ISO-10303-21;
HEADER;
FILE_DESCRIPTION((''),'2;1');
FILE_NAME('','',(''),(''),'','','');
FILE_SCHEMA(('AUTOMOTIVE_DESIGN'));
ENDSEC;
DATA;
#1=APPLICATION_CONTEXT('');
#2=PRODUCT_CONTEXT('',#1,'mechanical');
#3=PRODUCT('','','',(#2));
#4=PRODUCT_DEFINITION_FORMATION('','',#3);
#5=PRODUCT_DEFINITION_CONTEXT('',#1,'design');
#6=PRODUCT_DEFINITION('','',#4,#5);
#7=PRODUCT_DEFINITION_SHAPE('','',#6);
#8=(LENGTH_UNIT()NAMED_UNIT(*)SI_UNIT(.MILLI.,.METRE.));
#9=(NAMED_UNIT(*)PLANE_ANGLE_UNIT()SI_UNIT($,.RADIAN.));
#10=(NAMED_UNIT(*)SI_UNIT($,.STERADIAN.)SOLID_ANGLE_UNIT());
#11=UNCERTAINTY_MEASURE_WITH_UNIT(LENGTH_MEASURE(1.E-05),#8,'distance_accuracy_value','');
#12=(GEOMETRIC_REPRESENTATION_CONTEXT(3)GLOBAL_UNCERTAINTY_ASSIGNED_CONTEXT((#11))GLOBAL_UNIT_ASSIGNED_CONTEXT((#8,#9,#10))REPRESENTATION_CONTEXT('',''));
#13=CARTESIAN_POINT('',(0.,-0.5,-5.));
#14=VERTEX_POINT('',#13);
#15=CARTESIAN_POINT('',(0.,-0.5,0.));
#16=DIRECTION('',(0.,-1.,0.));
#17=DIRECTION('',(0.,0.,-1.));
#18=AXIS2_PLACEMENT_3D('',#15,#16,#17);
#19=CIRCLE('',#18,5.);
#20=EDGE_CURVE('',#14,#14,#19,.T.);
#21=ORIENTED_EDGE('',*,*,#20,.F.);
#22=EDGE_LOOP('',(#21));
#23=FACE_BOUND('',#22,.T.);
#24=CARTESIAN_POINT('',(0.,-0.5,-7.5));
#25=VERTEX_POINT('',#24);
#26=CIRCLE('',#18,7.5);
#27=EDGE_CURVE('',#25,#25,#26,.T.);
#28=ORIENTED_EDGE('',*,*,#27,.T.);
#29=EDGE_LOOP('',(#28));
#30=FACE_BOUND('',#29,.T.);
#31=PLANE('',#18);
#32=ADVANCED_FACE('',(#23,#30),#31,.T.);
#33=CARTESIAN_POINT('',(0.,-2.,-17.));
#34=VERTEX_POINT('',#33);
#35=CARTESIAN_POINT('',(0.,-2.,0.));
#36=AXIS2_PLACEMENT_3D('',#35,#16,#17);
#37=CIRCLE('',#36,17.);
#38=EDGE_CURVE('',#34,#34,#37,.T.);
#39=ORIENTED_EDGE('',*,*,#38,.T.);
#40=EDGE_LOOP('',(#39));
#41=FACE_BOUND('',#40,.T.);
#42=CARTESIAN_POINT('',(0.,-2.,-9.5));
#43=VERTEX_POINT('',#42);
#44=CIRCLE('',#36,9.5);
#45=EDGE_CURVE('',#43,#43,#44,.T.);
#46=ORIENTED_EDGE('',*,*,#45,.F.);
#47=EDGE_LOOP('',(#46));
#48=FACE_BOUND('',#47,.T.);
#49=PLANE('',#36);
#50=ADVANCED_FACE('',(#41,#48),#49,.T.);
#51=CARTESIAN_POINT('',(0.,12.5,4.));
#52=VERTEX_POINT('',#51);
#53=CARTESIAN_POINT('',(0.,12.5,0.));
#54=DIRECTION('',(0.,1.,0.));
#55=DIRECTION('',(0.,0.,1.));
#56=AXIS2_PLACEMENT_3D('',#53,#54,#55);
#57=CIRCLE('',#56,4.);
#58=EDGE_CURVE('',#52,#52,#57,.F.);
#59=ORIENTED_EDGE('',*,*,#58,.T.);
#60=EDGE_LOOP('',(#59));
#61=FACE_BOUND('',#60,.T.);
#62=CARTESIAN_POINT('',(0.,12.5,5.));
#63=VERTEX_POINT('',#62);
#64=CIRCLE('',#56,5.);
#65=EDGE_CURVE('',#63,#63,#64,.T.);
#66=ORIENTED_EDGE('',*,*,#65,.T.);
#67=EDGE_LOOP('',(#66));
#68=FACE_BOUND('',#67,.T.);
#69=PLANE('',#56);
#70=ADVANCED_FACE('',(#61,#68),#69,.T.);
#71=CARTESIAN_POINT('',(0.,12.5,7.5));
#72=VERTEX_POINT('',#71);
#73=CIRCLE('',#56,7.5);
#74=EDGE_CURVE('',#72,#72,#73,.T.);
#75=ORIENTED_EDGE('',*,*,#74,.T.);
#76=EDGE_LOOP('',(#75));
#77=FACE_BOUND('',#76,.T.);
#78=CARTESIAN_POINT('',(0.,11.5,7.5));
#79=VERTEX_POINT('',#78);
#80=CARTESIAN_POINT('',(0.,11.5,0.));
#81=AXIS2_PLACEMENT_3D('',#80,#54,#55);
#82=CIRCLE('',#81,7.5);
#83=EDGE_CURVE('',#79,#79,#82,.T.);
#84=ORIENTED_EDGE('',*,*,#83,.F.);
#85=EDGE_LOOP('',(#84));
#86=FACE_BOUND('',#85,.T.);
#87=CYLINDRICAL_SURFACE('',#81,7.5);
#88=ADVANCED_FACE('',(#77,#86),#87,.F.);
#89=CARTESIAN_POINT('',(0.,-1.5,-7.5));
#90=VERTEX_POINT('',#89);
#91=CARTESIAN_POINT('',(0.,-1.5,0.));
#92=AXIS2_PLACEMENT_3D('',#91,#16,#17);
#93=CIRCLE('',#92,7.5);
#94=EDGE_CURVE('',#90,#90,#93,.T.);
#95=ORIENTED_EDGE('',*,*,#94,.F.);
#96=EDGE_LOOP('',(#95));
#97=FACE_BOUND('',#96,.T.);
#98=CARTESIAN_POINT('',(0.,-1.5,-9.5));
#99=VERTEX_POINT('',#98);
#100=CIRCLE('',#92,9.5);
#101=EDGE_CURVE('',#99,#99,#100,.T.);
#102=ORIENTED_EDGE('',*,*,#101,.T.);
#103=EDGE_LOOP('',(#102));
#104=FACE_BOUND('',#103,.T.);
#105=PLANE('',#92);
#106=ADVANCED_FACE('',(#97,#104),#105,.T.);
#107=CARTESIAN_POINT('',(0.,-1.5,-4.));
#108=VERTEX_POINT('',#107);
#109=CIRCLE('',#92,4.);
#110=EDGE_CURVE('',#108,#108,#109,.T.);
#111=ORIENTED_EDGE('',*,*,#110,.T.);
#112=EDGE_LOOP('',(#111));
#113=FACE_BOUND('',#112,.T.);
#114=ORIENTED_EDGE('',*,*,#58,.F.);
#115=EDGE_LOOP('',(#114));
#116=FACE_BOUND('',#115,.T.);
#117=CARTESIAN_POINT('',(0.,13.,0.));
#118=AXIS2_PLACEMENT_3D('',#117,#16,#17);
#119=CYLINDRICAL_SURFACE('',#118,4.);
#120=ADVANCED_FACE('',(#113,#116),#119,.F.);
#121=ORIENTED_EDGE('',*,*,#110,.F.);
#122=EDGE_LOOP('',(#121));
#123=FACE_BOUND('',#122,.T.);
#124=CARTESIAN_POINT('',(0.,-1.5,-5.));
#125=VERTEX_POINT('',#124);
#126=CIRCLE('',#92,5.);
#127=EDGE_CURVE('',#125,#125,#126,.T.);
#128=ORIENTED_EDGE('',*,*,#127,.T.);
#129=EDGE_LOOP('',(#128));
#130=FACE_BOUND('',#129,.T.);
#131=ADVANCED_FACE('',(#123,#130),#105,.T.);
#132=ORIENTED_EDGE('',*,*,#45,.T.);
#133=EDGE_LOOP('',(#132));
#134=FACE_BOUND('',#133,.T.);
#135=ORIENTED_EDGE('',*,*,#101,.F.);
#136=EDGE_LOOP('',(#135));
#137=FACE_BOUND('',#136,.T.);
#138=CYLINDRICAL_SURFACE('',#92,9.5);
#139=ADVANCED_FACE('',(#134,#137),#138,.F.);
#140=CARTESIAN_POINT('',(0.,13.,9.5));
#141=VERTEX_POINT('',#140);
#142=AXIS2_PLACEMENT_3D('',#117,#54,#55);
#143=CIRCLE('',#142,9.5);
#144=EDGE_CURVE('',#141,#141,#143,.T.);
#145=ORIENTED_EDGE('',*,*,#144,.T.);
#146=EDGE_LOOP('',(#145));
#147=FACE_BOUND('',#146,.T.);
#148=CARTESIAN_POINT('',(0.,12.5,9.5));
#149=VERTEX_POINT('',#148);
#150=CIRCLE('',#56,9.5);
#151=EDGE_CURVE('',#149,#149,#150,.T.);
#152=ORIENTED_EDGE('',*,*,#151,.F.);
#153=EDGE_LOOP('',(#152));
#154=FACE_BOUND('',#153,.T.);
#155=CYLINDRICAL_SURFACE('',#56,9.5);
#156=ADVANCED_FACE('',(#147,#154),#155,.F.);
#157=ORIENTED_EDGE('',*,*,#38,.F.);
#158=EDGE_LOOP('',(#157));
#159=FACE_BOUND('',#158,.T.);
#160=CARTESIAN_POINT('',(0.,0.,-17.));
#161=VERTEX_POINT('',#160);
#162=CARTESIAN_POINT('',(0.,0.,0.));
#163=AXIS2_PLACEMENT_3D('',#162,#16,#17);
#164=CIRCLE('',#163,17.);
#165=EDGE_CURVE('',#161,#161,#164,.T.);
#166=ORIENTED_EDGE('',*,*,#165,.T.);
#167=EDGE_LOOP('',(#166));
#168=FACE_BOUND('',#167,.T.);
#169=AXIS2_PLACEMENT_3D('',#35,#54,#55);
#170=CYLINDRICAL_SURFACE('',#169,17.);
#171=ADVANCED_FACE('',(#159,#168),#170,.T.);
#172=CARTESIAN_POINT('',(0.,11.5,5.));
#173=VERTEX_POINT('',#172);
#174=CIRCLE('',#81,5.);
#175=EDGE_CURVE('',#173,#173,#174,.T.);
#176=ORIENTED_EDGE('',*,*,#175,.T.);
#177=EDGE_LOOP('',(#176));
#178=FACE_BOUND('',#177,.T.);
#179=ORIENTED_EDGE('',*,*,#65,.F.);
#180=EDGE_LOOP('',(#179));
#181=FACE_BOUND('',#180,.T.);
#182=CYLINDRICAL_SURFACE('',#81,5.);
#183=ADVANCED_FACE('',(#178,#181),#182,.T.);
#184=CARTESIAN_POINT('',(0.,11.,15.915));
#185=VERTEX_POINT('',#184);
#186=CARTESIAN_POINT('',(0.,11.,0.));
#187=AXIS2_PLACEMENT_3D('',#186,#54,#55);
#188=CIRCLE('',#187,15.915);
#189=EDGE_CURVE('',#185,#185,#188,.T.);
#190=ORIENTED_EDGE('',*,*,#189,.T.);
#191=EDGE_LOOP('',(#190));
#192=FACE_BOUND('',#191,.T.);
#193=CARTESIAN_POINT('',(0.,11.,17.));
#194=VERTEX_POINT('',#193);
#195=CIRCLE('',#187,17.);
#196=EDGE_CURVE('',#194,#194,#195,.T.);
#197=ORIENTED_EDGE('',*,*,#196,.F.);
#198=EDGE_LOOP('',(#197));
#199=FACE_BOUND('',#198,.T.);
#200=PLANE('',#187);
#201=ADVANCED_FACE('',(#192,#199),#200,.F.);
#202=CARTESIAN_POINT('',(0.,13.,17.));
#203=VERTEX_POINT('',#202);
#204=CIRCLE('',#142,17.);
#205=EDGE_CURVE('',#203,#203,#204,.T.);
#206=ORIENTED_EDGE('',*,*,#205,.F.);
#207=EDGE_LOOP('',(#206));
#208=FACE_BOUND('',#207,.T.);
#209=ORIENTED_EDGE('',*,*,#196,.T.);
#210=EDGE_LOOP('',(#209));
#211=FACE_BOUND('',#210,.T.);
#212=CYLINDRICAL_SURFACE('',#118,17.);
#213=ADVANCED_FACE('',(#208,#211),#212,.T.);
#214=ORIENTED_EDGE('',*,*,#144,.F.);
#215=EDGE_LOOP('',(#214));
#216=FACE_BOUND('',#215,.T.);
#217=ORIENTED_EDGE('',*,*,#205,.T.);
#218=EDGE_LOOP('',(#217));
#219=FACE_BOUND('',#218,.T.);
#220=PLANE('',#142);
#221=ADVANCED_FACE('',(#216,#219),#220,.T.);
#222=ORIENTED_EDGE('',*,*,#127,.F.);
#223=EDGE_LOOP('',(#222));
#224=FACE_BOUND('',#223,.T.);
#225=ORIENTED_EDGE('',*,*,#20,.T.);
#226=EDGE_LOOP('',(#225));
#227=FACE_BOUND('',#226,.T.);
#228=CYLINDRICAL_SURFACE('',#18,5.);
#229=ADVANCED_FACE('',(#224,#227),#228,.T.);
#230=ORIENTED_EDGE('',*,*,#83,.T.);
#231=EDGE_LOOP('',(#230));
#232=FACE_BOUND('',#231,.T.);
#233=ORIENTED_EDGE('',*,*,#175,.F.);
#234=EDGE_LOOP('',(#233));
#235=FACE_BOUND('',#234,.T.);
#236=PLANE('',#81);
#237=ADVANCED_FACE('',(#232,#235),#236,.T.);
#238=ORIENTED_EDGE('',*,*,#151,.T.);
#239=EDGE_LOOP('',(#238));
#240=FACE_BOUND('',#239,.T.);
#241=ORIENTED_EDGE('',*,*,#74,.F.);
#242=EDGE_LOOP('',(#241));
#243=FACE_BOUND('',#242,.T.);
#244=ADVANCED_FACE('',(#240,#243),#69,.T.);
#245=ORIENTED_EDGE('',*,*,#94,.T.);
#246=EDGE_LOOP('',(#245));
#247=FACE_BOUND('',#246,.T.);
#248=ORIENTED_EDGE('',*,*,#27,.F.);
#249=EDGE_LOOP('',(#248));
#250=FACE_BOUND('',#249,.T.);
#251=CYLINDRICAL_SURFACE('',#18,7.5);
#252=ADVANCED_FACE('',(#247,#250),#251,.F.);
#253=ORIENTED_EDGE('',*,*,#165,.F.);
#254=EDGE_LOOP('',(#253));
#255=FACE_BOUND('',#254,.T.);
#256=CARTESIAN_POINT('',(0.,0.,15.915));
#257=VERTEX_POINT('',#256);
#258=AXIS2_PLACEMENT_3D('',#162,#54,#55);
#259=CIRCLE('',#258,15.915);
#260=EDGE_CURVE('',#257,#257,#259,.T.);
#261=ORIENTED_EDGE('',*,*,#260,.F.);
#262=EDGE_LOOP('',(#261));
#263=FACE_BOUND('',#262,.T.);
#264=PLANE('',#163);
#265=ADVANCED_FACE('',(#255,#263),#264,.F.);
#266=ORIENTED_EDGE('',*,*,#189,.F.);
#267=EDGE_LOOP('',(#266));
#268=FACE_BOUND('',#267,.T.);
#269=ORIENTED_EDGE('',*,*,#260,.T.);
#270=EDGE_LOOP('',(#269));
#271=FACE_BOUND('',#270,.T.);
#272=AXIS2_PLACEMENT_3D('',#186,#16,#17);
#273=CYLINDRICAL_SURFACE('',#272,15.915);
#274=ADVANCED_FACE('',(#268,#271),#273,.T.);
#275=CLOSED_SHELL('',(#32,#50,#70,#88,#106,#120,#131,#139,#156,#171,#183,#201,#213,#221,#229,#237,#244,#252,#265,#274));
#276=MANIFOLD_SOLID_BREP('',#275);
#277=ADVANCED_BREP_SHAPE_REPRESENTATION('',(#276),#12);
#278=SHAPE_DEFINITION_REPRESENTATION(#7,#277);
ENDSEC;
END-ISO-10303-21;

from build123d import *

# Parameters (mm, degrees)
SKETCH_1_R          = 15.915
EXTRUDE_1_DEPTH     = 11
SKETCH_2_R          = 17
EXTRUDE_2_DEPTH     = 2
EXTRUDE_START       = 2
SKETCH_3_R          = 17
EXTRUDE_3_DEPTH     = 2
SKETCH_4_R          = 9.5
SKETCH_4_R_2        = 7.5
CUT_EXTRUDE_1_DEPTH = 0.5
SKETCH_4_3_R        = 7.5
SKETCH_4_3_R_2      = 5
CUT_EXTRUDE_2_DEPTH = 1.5
SKETCH_4_4_R        = 5
SKETCH_4_4_R_2      = 4
CUT_EXTRUDE_3_DEPTH = 0.5
SKETCH_4_5_R        = 4
CUT_EXTRUDE_4_DEPTH = 29.337254631
CUT_EXTRUDE_START   = -0.5
SKETCH_6_R          = 9.5
SKETCH_6_R_2        = 7.5
CUT_EXTRUDE_5_DEPTH = 0.5
CUT_EXTRUDE_START_2 = -1.5
SKETCH_6_3_R        = 7.5
SKETCH_6_3_R_2      = 5
CUT_EXTRUDE_6_DEPTH = 1.5
SKETCH_6_5_R        = 5
SKETCH_6_5_R_2      = 4
CUT_EXTRUDE_7_DEPTH = 0.5


with BuildPart() as part:
    # 草图1 → 凸台-拉伸1 (new body)
    with BuildSketch(Plane(origin=(0, 0, 0), x_dir=(1, 0, 0), z_dir=(0, 1, 0))):
        Circle(SKETCH_1_R)
    extrude(amount=EXTRUDE_1_DEPTH)

    # 草图2 → 凸台-拉伸2 (add)
    with BuildSketch(Plane(origin=(0, 11, 0), x_dir=(1, 0, 0), z_dir=(0, 1, 0))):
        Circle(SKETCH_2_R)
    extrude(amount=EXTRUDE_2_DEPTH)

    # 草图3 → 凸台-拉伸3 (add)
    with BuildSketch(Plane.XZ.offset(EXTRUDE_START)):
        Circle(SKETCH_3_R)
    extrude(amount=-EXTRUDE_3_DEPTH)

    # 草图4 → 切除-拉伸1 (cut)
    with BuildSketch(Plane.XZ.offset(2)):
        Circle(SKETCH_4_R)
        Circle(SKETCH_4_R_2, mode=Mode.SUBTRACT)
    extrude(amount=-CUT_EXTRUDE_1_DEPTH, mode=Mode.SUBTRACT)

    # 草图4<3> → 切除-拉伸2 (cut)
    with BuildSketch(Plane.XZ.offset(2)):
        Circle(SKETCH_4_3_R)
        Circle(SKETCH_4_3_R_2, mode=Mode.SUBTRACT)
    extrude(amount=-CUT_EXTRUDE_2_DEPTH, mode=Mode.SUBTRACT)

    # 草图4<4> → 切除-拉伸3 (cut)
    with BuildSketch(Plane.XZ.offset(2)):
        Circle(SKETCH_4_4_R)
        Circle(SKETCH_4_4_R_2, mode=Mode.SUBTRACT)
    extrude(amount=-CUT_EXTRUDE_3_DEPTH, mode=Mode.SUBTRACT)

    # 草图4<5> → 切除-拉伸4 (cut, through all)
    with BuildSketch(Plane.XZ.offset(2)):
        Circle(SKETCH_4_5_R)
    extrude(amount=-CUT_EXTRUDE_4_DEPTH, mode=Mode.SUBTRACT)

    # 草图6 → 切除-拉伸5 (cut)
    with BuildSketch(Plane(origin=(0, 13, 0), x_dir=(1, 0, 0), z_dir=(0, 1, 0)).offset(CUT_EXTRUDE_START)):
        Circle(SKETCH_6_R)
        Circle(SKETCH_6_R_2, mode=Mode.SUBTRACT)
    extrude(amount=CUT_EXTRUDE_5_DEPTH, mode=Mode.SUBTRACT)

    # 草图6<3> → 切除-拉伸6 (cut)
    with BuildSketch(Plane(origin=(0, 13, 0), x_dir=(1, 0, 0), z_dir=(0, 1, 0)).offset(CUT_EXTRUDE_START_2)):
        Circle(SKETCH_6_3_R)
        Circle(SKETCH_6_3_R_2, mode=Mode.SUBTRACT)
    extrude(amount=CUT_EXTRUDE_6_DEPTH, mode=Mode.SUBTRACT)

    # 草图6<5> → 切除-拉伸7 (cut)
    with BuildSketch(Plane(origin=(0, 13, 0), x_dir=(1, 0, 0), z_dir=(0, 1, 0)).offset(CUT_EXTRUDE_START)):
        Circle(SKETCH_6_5_R)
        Circle(SKETCH_6_5_R_2, mode=Mode.SUBTRACT)
    extrude(amount=CUT_EXTRUDE_7_DEPTH, mode=Mode.SUBTRACT)


solid = part.part
